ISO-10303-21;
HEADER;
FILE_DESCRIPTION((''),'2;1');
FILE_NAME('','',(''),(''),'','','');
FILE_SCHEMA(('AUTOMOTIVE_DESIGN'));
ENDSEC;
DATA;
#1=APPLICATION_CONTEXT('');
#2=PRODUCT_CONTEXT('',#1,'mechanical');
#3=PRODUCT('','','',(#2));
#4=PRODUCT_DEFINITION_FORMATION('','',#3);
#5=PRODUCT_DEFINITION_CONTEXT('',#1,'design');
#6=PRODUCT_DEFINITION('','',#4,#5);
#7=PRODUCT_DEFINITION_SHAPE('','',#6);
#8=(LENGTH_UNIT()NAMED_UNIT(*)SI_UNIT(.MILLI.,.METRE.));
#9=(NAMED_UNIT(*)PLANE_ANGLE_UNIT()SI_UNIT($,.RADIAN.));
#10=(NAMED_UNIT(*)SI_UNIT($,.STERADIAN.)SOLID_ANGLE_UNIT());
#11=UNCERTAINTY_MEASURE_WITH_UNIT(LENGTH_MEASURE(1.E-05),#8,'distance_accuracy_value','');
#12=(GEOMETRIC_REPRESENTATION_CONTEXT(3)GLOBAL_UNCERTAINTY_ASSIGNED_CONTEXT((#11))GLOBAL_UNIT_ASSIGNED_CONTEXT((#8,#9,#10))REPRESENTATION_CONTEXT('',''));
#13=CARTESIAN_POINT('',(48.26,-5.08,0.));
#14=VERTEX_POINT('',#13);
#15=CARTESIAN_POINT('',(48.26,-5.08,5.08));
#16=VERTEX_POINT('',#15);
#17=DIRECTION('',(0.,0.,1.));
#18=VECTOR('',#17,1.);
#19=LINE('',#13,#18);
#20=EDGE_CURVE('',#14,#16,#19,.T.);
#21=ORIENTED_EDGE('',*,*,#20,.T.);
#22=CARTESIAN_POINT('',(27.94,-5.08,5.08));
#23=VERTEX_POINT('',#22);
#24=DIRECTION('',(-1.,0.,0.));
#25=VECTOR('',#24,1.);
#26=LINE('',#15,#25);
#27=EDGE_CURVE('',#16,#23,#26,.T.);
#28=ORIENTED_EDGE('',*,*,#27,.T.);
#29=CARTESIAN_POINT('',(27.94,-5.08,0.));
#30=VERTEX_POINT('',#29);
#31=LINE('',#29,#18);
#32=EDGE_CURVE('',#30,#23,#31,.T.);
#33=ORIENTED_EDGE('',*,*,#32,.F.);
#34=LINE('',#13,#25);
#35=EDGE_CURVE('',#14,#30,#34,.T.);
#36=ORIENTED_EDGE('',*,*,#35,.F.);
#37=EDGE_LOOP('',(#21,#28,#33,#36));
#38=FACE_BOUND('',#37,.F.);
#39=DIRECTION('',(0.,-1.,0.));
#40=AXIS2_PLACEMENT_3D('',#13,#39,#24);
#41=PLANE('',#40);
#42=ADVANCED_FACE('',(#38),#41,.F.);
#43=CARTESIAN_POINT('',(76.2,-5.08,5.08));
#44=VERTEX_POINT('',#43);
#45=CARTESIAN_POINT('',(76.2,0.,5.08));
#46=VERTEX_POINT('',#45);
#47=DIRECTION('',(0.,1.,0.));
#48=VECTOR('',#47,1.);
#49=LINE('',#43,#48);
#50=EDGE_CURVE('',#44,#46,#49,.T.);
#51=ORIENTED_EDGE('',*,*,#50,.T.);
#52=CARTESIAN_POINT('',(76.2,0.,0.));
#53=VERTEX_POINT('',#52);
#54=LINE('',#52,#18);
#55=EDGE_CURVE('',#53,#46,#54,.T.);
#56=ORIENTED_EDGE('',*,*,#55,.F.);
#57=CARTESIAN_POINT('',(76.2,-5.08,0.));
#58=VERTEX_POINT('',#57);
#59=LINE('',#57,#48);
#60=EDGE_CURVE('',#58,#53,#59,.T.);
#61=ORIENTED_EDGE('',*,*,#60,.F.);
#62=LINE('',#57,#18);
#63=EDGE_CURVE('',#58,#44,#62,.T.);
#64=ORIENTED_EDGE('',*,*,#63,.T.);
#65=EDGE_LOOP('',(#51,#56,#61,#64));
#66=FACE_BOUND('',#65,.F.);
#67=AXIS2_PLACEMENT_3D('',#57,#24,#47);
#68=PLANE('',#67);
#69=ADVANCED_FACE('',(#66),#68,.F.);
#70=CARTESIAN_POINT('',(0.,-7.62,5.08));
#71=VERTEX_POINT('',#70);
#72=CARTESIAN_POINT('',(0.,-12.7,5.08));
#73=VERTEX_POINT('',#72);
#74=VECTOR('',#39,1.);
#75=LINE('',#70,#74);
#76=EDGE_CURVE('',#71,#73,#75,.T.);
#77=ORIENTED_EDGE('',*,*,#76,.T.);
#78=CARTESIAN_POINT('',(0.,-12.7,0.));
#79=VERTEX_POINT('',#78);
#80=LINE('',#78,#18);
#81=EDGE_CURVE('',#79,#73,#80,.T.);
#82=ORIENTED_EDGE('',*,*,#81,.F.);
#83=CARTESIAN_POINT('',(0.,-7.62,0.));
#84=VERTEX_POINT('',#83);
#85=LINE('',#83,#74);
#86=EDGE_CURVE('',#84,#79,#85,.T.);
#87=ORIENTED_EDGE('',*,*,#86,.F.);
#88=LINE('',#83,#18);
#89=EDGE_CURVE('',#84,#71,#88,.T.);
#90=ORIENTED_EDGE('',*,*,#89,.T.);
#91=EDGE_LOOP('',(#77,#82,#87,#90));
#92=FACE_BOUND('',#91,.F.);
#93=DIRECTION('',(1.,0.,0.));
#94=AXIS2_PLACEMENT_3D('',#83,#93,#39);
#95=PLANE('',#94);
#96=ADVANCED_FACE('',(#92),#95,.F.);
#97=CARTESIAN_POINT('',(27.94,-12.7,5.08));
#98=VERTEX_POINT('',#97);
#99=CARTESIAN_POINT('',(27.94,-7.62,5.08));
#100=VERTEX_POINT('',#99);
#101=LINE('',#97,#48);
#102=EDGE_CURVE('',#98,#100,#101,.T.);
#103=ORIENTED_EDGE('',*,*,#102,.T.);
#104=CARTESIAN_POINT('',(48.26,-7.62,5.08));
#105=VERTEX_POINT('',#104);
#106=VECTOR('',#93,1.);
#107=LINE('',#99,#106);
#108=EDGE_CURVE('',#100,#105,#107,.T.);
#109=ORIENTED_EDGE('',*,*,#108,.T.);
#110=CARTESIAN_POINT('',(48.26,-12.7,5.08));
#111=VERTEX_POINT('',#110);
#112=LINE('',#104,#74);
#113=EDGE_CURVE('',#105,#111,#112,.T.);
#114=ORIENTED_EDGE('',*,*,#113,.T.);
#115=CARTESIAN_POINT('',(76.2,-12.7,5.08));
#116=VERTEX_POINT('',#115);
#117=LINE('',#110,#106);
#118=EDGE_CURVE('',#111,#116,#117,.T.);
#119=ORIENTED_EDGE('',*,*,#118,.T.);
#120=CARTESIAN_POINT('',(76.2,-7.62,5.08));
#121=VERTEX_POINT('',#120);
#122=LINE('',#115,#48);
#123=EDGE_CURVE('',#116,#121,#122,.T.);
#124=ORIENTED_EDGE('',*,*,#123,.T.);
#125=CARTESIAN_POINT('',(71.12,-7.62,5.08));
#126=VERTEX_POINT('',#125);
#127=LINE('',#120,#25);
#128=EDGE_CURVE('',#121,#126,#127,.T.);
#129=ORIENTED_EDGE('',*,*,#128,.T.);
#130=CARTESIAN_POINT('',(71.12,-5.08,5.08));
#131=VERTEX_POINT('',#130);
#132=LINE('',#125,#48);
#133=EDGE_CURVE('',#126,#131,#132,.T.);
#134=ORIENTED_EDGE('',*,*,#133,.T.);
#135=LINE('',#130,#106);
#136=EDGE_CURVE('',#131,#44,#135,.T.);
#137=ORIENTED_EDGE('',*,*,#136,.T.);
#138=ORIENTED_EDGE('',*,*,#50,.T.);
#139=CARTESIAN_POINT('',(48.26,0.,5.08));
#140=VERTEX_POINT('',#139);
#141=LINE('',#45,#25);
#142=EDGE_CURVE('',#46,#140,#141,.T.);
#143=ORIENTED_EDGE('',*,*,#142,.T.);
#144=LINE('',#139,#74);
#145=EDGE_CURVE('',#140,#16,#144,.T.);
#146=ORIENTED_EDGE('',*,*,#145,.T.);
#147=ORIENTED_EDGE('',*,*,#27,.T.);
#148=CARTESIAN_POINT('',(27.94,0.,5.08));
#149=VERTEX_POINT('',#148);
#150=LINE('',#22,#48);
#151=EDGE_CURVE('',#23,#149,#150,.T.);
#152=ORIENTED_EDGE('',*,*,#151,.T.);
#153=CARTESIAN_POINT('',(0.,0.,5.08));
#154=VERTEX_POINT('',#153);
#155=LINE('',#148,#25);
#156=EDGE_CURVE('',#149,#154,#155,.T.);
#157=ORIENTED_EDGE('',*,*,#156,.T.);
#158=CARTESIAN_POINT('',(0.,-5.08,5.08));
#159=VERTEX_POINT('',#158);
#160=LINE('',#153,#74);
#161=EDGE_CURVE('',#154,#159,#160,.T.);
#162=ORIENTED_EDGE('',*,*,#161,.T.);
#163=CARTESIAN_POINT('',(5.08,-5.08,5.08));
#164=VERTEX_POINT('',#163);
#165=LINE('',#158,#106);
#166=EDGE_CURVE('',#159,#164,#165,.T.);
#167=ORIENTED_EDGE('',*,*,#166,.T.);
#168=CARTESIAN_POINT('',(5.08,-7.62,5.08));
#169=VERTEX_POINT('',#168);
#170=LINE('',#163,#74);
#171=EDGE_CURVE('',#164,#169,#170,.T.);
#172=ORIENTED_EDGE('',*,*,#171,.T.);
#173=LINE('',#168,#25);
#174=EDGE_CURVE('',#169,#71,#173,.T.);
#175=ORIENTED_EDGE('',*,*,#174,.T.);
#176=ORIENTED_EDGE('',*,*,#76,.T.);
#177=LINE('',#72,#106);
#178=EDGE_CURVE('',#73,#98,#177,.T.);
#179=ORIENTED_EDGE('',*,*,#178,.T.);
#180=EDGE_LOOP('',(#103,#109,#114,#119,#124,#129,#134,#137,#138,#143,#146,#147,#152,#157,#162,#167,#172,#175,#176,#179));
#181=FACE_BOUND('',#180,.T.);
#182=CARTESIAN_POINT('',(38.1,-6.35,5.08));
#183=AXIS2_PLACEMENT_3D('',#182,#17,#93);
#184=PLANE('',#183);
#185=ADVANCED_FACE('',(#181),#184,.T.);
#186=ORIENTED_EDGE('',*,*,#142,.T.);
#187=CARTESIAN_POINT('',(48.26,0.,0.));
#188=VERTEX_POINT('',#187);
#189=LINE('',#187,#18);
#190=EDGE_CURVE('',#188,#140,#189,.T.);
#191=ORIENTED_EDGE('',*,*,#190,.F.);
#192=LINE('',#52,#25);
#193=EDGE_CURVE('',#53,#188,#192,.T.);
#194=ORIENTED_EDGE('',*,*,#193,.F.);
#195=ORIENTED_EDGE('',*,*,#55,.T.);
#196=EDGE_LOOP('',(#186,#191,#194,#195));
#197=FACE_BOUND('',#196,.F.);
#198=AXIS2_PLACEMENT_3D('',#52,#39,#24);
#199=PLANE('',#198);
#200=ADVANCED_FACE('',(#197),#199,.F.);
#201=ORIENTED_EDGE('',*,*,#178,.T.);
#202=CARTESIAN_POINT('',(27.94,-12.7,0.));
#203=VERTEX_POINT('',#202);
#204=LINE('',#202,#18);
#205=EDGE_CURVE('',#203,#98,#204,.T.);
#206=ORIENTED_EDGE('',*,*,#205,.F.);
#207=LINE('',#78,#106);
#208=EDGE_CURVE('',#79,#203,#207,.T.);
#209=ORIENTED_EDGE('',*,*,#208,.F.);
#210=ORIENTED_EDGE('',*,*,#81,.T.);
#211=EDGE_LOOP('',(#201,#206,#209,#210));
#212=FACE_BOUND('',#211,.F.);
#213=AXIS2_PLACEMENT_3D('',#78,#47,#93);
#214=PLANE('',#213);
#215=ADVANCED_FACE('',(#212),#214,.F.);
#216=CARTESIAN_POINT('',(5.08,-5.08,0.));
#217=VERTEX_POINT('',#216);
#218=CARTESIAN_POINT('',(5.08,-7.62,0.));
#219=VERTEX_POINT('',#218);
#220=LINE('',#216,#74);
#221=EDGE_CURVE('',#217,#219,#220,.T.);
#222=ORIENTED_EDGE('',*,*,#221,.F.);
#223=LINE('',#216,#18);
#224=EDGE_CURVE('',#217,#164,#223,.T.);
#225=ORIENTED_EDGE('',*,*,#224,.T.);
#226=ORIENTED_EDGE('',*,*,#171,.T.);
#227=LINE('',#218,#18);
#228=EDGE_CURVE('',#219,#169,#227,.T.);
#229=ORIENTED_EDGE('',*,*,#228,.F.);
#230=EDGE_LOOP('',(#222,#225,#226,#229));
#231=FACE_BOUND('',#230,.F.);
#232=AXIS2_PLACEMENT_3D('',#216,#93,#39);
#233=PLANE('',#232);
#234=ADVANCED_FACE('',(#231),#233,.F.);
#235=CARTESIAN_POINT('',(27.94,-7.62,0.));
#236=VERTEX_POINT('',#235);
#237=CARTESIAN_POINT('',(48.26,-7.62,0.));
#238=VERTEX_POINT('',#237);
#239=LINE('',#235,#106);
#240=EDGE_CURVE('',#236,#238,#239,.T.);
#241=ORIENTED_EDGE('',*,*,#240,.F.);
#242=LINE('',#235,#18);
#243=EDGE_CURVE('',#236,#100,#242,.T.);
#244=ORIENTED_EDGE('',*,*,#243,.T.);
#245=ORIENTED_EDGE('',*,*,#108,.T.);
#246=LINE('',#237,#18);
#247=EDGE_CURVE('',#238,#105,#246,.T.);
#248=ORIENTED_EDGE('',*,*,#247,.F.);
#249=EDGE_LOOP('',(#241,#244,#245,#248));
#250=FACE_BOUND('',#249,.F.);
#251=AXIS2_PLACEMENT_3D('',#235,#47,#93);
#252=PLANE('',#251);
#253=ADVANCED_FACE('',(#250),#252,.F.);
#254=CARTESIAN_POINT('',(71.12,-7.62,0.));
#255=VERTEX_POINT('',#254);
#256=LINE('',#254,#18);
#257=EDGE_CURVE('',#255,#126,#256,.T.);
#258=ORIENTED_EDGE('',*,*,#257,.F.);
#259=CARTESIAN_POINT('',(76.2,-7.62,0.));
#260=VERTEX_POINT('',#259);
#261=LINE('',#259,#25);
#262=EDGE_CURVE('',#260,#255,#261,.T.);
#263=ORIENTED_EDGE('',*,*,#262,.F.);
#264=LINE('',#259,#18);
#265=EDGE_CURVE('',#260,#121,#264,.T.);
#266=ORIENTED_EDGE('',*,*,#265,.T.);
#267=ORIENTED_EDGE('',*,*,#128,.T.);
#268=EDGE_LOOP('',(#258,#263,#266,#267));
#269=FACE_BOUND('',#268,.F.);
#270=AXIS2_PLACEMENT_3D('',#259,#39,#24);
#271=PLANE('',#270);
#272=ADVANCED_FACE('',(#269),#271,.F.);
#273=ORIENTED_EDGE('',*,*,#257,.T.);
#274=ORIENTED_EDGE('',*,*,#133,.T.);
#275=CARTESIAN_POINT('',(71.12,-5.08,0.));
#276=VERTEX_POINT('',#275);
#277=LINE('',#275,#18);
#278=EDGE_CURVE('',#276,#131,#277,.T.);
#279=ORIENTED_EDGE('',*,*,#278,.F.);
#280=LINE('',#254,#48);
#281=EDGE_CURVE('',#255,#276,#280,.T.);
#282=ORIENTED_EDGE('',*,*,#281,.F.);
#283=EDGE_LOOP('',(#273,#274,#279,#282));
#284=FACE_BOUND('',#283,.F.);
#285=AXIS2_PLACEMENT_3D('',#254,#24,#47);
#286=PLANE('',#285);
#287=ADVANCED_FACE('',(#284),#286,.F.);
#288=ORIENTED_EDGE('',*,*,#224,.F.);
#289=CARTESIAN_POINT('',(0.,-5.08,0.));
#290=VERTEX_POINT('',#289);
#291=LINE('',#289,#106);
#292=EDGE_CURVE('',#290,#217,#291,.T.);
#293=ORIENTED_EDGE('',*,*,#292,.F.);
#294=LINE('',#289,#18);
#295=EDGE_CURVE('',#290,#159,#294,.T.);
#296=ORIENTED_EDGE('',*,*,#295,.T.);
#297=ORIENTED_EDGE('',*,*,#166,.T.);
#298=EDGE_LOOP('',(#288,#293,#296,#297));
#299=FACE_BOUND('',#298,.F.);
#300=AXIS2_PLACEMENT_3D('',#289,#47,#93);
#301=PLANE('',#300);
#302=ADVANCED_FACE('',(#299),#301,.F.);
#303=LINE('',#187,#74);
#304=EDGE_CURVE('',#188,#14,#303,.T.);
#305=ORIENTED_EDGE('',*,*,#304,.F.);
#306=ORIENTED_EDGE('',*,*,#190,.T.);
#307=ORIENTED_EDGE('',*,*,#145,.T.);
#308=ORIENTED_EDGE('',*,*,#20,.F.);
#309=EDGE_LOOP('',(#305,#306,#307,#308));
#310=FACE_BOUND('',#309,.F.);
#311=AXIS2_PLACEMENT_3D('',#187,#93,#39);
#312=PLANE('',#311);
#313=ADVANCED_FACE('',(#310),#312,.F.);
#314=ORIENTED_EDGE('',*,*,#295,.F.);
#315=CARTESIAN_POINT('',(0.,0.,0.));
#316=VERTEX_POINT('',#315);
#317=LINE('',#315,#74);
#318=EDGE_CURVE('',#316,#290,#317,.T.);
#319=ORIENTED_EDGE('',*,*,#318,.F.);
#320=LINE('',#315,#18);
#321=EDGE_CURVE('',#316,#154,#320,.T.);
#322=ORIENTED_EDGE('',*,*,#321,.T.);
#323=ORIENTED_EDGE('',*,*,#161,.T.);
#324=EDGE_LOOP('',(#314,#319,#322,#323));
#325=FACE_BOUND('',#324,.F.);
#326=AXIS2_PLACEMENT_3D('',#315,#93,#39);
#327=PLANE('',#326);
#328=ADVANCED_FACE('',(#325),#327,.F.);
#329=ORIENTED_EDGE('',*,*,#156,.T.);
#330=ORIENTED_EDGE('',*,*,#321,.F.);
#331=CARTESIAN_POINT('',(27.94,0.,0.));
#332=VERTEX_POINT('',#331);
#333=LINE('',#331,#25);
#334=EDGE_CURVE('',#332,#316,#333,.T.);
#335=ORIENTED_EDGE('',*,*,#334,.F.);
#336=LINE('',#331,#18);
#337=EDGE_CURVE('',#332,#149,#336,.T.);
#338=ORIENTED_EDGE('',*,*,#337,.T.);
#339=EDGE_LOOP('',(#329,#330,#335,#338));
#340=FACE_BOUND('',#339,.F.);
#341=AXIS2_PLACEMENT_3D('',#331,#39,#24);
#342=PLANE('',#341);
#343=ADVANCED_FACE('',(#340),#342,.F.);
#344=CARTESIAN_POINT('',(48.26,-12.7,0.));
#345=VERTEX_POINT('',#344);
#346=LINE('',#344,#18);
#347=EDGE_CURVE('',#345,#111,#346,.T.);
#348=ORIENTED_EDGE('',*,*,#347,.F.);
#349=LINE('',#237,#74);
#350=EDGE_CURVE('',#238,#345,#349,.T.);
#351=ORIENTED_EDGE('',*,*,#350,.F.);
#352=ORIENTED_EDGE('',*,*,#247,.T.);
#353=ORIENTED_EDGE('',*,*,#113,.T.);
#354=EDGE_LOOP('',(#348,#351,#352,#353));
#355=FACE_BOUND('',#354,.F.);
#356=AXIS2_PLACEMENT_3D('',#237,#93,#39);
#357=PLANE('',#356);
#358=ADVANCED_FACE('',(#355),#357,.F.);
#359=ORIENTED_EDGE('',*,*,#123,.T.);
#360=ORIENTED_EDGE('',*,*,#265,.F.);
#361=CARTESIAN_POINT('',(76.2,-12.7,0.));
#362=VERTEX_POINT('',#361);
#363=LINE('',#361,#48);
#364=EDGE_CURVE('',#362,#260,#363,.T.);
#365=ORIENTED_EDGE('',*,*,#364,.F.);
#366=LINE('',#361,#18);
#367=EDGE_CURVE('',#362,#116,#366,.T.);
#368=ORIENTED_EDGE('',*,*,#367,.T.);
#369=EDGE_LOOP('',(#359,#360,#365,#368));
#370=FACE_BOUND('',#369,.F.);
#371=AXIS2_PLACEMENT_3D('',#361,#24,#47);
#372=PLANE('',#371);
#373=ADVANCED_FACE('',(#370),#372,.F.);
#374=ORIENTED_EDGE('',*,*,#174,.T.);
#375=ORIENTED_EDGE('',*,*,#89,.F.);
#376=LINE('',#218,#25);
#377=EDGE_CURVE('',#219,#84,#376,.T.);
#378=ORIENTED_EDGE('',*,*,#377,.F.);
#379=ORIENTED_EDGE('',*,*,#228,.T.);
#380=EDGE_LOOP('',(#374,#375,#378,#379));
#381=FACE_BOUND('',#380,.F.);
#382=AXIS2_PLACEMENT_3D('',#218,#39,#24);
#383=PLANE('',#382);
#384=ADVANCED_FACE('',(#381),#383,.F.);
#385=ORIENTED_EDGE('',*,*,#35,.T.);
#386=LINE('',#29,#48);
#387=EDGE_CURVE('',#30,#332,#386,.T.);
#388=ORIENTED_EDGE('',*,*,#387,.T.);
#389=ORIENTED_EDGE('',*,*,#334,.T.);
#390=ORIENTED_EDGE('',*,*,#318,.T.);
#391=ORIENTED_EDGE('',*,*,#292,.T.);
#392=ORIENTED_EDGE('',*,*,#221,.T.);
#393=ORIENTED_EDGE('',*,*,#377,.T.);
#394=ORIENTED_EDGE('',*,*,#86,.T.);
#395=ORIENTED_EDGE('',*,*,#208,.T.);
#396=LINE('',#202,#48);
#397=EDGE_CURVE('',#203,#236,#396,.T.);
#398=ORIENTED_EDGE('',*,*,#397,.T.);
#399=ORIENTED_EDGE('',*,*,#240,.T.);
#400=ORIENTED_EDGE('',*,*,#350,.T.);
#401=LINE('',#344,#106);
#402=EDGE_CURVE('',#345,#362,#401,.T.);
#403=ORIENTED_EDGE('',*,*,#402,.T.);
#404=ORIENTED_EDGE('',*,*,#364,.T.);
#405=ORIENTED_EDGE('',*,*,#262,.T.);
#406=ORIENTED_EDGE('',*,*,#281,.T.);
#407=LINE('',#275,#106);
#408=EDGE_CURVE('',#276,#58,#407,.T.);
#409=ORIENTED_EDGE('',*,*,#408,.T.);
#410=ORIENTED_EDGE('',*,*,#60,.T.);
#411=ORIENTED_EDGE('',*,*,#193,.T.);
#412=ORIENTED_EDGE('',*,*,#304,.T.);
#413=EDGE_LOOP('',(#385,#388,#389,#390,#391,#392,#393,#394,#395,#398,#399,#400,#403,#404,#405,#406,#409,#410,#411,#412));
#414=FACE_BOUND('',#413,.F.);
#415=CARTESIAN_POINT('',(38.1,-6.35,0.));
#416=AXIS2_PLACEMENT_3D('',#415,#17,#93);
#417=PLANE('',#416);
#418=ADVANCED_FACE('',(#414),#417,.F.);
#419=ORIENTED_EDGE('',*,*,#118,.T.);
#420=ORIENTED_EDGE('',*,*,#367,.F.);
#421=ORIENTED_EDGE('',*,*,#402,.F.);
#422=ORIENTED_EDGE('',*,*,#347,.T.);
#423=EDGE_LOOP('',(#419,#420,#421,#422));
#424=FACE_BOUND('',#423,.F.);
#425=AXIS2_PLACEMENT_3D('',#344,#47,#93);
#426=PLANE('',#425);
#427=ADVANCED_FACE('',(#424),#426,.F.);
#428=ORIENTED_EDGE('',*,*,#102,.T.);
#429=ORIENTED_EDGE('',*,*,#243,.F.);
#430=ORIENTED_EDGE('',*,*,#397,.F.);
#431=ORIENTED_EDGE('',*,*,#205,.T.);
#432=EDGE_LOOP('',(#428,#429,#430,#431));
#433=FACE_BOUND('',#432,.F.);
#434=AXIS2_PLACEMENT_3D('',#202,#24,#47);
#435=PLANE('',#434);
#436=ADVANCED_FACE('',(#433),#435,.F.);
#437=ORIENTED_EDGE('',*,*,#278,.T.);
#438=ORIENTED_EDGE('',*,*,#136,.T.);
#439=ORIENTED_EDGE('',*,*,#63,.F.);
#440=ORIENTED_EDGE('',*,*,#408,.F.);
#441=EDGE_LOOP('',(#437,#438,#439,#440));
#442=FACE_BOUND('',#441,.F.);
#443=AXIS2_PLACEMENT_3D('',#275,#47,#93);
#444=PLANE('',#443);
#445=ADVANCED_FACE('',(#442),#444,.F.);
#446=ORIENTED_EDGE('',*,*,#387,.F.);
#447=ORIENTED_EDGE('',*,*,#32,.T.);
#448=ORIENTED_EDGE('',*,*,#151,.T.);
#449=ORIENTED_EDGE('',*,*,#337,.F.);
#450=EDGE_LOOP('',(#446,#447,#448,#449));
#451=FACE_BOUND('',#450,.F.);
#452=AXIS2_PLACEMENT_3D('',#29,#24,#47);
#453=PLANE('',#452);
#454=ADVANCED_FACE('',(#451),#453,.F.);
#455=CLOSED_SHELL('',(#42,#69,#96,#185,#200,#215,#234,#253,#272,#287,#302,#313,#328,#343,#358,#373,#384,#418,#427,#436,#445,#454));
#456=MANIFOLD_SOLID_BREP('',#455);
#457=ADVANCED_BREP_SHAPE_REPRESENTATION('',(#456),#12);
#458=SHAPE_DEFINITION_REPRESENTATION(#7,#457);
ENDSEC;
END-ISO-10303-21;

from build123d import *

# Parameters (mm, degrees)
F1_DEPTH = 5.08


with BuildPart() as f1:
    # F0 (on Top) → F1 (new body)
    with BuildSketch(Plane.XY):
        Polygon((0, -7.62), (0, -12.7), (27.94, -12.7), (27.94, -7.62), (48.26, -7.62), (48.26, -12.7), (76.2, -12.7), (76.2, -7.62), (71.12, -7.62), (71.12, -5.08), (76.2, -5.08), (76.2, 0), (48.26, 0), (48.26, -5.08), (27.94, -5.08), (27.94, 0), (0, 0), (0, -5.08), (5.08, -5.08), (5.08, -7.62), align=None)
    extrude(amount=F1_DEPTH)


solid = f1.part
